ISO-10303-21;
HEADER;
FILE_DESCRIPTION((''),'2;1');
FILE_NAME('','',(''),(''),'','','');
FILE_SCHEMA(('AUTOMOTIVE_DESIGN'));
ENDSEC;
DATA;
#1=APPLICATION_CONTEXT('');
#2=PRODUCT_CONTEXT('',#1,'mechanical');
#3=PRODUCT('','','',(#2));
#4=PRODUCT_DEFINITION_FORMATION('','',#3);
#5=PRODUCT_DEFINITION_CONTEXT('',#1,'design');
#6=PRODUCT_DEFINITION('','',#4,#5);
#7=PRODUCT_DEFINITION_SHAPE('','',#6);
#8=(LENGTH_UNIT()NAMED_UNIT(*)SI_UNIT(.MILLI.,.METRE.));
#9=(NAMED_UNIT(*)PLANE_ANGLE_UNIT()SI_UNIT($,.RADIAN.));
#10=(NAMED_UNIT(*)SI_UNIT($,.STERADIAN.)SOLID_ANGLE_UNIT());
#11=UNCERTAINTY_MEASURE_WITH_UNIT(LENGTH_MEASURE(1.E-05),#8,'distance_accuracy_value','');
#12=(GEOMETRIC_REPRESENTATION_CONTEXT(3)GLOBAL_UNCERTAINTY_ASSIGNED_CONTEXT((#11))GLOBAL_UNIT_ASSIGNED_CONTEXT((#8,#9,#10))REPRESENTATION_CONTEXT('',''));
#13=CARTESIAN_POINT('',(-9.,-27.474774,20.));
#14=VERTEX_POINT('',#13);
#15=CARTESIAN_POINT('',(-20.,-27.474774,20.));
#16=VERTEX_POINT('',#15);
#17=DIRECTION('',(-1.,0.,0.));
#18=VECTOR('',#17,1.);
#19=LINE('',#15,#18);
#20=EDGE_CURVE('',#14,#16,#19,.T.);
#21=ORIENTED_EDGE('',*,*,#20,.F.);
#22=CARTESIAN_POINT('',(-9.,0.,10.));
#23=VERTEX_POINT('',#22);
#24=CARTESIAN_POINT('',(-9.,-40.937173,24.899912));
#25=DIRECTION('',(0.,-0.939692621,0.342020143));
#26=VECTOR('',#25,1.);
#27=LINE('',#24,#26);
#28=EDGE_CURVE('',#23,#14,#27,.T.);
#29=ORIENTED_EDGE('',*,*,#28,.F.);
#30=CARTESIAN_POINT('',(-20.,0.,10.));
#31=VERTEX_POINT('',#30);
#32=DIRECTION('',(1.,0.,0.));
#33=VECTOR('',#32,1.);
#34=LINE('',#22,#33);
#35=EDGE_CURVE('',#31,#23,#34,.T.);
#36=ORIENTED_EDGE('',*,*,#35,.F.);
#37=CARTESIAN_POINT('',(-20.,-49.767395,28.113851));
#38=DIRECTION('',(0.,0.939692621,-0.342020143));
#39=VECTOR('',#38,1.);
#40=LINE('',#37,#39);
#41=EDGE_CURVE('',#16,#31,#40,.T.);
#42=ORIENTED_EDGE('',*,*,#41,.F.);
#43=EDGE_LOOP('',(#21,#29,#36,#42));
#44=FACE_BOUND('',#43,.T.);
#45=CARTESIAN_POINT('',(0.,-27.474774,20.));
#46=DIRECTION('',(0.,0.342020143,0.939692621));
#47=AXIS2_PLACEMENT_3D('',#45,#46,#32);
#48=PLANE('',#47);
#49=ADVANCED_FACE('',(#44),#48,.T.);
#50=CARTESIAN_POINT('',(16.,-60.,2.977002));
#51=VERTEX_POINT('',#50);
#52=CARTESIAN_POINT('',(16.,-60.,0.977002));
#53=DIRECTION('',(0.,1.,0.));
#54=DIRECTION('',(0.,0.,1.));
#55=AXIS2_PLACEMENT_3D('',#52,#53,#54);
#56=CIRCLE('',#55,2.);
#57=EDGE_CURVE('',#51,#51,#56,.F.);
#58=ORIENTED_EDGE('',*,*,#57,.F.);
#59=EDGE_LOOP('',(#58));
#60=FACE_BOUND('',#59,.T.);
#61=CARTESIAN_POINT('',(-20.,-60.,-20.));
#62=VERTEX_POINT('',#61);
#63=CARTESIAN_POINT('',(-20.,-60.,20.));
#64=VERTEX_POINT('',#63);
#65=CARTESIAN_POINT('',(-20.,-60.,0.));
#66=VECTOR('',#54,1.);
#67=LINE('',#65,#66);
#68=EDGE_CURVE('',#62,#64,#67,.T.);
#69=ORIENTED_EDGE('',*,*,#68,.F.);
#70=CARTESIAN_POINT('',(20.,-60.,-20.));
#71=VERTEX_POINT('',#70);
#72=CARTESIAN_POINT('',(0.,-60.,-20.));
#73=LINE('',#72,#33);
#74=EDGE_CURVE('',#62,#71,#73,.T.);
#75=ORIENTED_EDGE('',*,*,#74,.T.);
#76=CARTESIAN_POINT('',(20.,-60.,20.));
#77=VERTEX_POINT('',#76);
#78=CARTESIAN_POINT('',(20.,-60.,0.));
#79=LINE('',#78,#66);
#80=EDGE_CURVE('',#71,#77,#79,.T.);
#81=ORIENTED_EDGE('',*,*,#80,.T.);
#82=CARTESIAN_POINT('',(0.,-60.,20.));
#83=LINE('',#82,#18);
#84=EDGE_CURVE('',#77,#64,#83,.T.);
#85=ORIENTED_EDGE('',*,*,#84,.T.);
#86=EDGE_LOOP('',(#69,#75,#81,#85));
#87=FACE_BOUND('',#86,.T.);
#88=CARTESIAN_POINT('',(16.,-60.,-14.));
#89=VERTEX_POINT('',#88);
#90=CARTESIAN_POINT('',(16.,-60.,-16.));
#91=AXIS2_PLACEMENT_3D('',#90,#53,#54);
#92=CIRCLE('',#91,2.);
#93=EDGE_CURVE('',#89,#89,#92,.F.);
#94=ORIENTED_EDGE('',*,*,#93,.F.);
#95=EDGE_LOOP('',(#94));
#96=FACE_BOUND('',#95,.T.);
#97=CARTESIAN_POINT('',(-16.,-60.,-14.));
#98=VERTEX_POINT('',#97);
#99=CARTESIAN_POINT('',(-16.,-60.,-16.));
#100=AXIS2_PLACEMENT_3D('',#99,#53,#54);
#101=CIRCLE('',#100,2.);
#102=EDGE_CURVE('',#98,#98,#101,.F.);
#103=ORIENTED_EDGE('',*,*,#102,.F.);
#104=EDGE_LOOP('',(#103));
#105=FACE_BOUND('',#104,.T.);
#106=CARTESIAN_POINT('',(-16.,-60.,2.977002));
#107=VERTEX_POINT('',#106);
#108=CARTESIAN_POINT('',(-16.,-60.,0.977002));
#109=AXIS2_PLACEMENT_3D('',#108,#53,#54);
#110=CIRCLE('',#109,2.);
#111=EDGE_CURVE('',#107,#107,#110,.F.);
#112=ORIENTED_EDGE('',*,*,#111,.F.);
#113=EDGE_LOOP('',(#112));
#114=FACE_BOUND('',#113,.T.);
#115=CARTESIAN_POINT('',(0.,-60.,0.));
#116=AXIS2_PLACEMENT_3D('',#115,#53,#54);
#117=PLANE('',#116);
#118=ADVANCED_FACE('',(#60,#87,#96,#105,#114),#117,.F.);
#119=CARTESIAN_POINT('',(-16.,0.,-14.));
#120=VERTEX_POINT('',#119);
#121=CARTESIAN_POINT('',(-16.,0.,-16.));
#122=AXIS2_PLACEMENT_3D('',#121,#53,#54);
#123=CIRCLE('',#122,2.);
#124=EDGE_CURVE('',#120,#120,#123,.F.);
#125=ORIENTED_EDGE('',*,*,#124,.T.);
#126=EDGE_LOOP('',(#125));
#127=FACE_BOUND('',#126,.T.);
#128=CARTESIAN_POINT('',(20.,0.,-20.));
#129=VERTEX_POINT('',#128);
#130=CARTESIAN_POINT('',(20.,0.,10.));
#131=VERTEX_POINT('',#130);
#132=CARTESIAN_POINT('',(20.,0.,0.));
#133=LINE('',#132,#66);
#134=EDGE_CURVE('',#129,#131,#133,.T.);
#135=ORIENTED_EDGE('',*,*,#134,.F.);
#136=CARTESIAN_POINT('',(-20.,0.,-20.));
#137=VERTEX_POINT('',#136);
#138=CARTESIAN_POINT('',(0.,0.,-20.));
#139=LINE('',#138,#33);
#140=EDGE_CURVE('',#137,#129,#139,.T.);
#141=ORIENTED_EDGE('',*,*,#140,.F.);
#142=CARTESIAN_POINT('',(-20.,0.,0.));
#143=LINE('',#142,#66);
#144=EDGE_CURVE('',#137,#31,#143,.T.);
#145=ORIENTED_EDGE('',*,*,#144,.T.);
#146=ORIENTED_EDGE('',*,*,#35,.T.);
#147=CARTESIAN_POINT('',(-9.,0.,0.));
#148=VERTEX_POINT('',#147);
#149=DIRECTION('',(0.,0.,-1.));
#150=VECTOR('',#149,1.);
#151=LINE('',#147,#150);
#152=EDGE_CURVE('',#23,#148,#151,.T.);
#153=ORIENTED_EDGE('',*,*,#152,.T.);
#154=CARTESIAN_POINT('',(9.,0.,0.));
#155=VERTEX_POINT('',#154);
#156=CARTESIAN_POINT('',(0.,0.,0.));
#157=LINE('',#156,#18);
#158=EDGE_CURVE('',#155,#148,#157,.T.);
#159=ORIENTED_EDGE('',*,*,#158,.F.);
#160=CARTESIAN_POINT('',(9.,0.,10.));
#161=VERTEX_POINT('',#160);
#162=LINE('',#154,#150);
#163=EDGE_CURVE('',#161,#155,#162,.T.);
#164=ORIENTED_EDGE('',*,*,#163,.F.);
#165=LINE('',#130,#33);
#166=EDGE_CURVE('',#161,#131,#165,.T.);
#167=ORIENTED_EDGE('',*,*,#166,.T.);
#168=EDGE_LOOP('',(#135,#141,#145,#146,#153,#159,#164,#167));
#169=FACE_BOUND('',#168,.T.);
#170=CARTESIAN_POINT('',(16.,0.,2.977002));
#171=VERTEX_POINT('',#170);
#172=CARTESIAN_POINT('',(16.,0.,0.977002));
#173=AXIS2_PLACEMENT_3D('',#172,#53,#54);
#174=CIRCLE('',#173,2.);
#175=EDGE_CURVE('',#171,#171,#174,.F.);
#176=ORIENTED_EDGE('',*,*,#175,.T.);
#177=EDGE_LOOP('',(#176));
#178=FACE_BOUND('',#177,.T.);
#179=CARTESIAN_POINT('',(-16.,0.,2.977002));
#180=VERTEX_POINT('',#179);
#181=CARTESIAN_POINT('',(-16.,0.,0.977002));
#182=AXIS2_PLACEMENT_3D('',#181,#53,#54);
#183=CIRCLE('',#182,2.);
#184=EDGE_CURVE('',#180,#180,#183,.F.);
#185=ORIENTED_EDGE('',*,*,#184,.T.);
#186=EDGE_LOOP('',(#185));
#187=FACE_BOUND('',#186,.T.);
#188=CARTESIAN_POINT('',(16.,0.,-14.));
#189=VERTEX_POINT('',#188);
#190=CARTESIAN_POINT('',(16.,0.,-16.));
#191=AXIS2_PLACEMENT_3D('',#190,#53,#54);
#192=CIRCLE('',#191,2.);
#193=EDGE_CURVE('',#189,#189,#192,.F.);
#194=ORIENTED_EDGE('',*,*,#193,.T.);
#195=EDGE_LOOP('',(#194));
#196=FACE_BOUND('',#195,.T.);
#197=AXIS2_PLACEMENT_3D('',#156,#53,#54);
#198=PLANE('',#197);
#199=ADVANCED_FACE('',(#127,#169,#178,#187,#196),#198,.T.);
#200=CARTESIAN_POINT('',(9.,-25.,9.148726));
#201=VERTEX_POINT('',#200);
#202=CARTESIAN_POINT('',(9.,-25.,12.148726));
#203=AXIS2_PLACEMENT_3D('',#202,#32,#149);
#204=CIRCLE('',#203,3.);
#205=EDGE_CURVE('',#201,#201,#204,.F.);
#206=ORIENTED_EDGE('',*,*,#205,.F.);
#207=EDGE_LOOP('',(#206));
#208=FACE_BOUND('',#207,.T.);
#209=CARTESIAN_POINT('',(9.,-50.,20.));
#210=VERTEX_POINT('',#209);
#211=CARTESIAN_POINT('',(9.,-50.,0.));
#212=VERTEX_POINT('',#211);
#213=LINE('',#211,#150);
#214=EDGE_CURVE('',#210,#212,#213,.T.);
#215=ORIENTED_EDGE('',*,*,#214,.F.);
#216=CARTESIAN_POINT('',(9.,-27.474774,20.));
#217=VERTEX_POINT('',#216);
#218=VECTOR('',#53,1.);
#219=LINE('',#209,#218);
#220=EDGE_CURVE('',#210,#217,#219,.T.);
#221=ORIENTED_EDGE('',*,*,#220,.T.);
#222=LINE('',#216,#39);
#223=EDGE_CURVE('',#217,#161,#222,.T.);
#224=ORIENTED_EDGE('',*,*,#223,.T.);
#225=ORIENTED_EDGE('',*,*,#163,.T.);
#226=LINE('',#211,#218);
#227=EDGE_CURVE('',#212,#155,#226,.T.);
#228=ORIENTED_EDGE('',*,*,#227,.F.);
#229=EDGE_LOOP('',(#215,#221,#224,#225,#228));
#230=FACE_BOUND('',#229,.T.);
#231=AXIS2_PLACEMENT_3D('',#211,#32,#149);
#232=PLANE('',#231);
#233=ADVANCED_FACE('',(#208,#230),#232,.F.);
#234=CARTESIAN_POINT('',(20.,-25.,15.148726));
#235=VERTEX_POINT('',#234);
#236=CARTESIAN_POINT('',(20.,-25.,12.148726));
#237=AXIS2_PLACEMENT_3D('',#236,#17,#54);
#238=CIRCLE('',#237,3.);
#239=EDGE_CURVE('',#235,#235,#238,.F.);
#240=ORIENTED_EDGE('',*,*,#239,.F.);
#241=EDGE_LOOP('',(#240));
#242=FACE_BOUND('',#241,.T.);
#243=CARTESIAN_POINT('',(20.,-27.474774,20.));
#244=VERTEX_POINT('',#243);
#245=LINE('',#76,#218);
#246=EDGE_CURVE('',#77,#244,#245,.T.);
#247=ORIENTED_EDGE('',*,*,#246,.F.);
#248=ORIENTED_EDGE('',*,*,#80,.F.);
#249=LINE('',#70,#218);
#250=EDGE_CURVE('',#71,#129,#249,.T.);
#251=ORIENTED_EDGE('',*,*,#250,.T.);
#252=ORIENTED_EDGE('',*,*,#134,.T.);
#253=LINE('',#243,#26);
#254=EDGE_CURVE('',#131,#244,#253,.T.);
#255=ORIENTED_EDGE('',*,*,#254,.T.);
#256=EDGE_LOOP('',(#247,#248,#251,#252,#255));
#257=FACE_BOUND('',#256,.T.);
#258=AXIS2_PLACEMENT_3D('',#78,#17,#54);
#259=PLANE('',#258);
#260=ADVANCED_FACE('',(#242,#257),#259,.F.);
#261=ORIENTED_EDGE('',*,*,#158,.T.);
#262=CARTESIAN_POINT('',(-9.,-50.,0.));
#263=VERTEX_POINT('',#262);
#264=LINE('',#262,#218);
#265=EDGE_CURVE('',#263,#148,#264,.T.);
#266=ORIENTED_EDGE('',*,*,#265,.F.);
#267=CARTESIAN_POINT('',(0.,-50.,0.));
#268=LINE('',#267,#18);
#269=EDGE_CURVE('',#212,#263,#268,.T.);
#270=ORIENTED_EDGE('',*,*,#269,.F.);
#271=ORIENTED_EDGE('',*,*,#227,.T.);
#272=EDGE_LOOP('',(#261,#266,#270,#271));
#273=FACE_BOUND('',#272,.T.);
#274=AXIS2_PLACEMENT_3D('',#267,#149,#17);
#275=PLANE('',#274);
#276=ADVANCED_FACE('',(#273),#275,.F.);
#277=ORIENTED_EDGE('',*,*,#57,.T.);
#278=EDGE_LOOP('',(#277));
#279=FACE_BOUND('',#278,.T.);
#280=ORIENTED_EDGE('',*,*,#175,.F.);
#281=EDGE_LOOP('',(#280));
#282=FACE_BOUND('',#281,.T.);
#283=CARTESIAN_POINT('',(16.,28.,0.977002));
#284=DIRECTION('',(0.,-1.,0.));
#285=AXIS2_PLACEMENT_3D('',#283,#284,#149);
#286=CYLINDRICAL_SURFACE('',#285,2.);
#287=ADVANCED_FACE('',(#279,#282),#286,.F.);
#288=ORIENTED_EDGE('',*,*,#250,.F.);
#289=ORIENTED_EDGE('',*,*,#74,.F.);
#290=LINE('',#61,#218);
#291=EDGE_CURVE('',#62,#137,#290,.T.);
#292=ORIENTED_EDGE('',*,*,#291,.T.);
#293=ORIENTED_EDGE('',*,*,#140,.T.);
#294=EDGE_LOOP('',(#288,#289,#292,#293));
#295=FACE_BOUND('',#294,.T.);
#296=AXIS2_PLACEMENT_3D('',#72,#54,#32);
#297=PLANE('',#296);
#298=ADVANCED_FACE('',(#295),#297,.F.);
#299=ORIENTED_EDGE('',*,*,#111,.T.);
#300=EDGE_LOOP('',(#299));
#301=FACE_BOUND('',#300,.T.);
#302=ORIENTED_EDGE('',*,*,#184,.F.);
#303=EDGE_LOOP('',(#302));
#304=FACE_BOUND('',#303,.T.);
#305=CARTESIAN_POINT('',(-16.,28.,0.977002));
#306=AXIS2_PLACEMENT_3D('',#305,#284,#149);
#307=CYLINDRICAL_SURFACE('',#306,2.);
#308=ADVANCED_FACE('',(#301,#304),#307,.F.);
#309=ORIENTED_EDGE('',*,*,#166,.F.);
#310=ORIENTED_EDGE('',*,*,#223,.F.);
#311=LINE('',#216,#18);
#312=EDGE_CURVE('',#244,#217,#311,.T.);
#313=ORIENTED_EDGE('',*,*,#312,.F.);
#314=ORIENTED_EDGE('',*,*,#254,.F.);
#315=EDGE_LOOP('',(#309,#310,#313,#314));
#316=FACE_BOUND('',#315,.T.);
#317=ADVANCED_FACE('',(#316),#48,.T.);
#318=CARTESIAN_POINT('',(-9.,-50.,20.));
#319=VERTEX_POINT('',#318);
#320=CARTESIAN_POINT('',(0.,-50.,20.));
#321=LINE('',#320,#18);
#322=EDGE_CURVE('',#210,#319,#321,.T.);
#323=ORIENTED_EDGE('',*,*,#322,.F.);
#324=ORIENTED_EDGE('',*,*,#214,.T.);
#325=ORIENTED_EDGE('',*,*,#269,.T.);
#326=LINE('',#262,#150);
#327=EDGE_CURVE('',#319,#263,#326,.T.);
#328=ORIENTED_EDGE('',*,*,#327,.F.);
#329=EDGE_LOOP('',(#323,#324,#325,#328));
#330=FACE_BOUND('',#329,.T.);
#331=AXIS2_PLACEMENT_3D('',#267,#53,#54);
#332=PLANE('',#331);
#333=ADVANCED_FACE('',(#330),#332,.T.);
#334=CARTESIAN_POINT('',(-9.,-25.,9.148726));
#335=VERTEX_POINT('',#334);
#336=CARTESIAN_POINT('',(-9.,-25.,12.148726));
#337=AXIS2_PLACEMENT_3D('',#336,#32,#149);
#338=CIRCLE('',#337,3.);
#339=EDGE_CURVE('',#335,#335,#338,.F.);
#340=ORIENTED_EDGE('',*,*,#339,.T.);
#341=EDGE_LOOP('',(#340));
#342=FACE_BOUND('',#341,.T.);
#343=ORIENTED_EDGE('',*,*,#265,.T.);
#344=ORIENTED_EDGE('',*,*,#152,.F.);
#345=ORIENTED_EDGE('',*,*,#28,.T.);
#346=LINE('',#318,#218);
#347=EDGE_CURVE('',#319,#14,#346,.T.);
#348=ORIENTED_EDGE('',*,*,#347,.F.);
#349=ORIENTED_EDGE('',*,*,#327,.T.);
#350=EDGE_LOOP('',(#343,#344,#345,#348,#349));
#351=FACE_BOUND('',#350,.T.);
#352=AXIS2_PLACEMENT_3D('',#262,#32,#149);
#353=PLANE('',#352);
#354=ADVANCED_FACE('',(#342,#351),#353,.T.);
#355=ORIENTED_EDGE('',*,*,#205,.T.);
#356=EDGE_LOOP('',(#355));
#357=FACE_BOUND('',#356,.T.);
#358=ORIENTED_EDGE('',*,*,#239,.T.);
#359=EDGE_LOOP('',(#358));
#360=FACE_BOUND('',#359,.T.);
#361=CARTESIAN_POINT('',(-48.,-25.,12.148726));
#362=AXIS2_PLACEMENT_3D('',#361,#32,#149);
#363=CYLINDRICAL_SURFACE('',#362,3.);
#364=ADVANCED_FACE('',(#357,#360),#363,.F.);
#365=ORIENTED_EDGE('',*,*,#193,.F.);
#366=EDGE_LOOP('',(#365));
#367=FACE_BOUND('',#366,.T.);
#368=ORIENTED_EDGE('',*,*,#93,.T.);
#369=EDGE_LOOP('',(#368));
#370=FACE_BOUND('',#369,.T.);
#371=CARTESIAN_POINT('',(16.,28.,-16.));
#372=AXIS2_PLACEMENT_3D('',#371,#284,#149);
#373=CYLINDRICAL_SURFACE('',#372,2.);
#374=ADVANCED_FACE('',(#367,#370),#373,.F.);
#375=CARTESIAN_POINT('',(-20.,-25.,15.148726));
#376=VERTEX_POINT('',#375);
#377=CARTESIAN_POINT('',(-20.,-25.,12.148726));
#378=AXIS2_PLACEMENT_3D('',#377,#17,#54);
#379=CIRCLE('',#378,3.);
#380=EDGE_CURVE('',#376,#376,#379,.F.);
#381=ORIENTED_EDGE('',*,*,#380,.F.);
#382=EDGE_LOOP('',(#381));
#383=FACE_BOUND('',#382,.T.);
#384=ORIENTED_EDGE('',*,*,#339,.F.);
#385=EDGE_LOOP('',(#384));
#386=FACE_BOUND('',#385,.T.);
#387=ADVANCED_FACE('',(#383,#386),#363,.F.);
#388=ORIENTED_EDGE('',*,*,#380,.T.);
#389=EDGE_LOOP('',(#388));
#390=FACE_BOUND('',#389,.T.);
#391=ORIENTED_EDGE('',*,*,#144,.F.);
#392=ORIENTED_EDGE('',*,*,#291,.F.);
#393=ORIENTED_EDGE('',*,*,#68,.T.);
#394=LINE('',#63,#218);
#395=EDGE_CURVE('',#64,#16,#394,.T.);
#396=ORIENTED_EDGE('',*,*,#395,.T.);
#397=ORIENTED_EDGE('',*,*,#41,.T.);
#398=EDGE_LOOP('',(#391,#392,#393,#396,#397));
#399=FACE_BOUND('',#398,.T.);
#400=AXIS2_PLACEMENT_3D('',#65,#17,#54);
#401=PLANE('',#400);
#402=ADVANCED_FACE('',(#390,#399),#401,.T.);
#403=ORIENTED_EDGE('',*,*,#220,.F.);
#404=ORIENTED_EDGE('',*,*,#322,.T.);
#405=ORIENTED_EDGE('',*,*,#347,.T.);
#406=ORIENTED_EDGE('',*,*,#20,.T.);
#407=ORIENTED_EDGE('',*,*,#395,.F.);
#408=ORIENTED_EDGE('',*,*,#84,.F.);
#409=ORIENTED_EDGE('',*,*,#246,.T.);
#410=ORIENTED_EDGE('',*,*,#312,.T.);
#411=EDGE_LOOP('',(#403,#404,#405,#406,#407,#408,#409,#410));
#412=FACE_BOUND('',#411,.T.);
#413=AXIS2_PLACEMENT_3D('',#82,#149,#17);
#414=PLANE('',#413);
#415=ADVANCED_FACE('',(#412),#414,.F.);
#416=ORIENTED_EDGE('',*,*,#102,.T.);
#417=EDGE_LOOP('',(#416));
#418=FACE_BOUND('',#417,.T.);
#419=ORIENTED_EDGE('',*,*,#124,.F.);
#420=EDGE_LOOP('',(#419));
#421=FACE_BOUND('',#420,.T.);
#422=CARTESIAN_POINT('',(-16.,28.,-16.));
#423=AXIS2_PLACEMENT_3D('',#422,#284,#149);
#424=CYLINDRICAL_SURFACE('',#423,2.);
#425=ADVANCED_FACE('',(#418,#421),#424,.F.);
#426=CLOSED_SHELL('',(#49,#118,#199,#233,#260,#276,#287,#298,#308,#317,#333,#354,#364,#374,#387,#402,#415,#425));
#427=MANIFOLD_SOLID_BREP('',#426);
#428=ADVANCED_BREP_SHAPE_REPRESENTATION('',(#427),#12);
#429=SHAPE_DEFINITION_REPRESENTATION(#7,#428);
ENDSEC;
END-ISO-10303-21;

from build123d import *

# Parameters (mm, degrees)
SKETCH1_W               = 40
SKETCH1_H               = 40
BOSS_EXTRUDE1_DEPTH     = 60
SKETCH1_3_W             = 18
SKETCH1_3_H             = 20
CUT_EXTRUDE1_DEPTH      = 50
CUT_EXTRUDE3_DEPTH      = 28
CUT_EXTRUDE3_DEPTH_BACK = 70
SKETCH4_R               = 2
CUT_EXTRUDE4_DEPTH      = 57
CUT_EXTRUDE4_DEPTH_BACK = 57
SKETCH5_R               = 3
CHAMFER1_SIZE           = 10
CHAMFER1_SIZE2          = 27.474774195


with BuildPart() as part:
    # Sketch1 → Boss-Extrude1 (new body)
    with BuildSketch(Plane(origin=(0, 0, 0), x_dir=(1, 0, 0), z_dir=(0, 1, 0))):
        Rectangle(SKETCH1_W, SKETCH1_H)
    extrude(amount=-BOSS_EXTRUDE1_DEPTH)

    # Sketch1<3> → Cut-Extrude1 (cut)
    with BuildSketch(Plane(origin=(0, 0, 0), x_dir=(1, 0, 0), z_dir=(0, 1, 0))):
        with Locations((0, -10)):
            Rectangle(SKETCH1_3_W, SKETCH1_3_H)
    extrude(amount=-CUT_EXTRUDE1_DEPTH, mode=Mode.SUBTRACT)

    # Sketch4 → Cut-Extrude3 (cut, two sides: drawn at the far end of the back side and taken through both)
    with BuildSketch(Plane(origin=(0, 0, 0), x_dir=(1, 0, 0), z_dir=(0, 1, 0)).offset(-CUT_EXTRUDE3_DEPTH_BACK)):
        with Locations((-16, 16)):
            Circle(SKETCH4_R)
        with Locations((16, 16)):
            Circle(SKETCH4_R)
        with Locations((16, -0.977001598)):
            Circle(SKETCH4_R)
        with Locations((-16, -0.977001598)):
            Circle(SKETCH4_R)
    extrude(amount=CUT_EXTRUDE3_DEPTH + CUT_EXTRUDE3_DEPTH_BACK, mode=Mode.SUBTRACT)

    # Sketch5 → Cut-Extrude4 (cut, two sides: drawn at the far end of the back side and taken through both)
    with BuildSketch(Plane.ZY.offset(-9).offset(-CUT_EXTRUDE4_DEPTH_BACK)):
        with Locations((12.148726145, -25)):
            Circle(SKETCH5_R)
    extrude(amount=CUT_EXTRUDE4_DEPTH + CUT_EXTRUDE4_DEPTH_BACK, mode=Mode.SUBTRACT)

    # Chamfer1
    chamfer1_edges = [part.edges().sort_by_distance(p)[0] for p in [
        (14.5, 0, 20),
        (-14.5, 0, 20),
    ]]
    chamfer1_side = [part.faces().sort_by_distance(p)[0] for p in [
        (0, 0, -2.708529358),
    ]]
    chamfer(chamfer1_edges, length=CHAMFER1_SIZE, length2=CHAMFER1_SIZE2, reference=chamfer1_side[0])


solid = part.part
